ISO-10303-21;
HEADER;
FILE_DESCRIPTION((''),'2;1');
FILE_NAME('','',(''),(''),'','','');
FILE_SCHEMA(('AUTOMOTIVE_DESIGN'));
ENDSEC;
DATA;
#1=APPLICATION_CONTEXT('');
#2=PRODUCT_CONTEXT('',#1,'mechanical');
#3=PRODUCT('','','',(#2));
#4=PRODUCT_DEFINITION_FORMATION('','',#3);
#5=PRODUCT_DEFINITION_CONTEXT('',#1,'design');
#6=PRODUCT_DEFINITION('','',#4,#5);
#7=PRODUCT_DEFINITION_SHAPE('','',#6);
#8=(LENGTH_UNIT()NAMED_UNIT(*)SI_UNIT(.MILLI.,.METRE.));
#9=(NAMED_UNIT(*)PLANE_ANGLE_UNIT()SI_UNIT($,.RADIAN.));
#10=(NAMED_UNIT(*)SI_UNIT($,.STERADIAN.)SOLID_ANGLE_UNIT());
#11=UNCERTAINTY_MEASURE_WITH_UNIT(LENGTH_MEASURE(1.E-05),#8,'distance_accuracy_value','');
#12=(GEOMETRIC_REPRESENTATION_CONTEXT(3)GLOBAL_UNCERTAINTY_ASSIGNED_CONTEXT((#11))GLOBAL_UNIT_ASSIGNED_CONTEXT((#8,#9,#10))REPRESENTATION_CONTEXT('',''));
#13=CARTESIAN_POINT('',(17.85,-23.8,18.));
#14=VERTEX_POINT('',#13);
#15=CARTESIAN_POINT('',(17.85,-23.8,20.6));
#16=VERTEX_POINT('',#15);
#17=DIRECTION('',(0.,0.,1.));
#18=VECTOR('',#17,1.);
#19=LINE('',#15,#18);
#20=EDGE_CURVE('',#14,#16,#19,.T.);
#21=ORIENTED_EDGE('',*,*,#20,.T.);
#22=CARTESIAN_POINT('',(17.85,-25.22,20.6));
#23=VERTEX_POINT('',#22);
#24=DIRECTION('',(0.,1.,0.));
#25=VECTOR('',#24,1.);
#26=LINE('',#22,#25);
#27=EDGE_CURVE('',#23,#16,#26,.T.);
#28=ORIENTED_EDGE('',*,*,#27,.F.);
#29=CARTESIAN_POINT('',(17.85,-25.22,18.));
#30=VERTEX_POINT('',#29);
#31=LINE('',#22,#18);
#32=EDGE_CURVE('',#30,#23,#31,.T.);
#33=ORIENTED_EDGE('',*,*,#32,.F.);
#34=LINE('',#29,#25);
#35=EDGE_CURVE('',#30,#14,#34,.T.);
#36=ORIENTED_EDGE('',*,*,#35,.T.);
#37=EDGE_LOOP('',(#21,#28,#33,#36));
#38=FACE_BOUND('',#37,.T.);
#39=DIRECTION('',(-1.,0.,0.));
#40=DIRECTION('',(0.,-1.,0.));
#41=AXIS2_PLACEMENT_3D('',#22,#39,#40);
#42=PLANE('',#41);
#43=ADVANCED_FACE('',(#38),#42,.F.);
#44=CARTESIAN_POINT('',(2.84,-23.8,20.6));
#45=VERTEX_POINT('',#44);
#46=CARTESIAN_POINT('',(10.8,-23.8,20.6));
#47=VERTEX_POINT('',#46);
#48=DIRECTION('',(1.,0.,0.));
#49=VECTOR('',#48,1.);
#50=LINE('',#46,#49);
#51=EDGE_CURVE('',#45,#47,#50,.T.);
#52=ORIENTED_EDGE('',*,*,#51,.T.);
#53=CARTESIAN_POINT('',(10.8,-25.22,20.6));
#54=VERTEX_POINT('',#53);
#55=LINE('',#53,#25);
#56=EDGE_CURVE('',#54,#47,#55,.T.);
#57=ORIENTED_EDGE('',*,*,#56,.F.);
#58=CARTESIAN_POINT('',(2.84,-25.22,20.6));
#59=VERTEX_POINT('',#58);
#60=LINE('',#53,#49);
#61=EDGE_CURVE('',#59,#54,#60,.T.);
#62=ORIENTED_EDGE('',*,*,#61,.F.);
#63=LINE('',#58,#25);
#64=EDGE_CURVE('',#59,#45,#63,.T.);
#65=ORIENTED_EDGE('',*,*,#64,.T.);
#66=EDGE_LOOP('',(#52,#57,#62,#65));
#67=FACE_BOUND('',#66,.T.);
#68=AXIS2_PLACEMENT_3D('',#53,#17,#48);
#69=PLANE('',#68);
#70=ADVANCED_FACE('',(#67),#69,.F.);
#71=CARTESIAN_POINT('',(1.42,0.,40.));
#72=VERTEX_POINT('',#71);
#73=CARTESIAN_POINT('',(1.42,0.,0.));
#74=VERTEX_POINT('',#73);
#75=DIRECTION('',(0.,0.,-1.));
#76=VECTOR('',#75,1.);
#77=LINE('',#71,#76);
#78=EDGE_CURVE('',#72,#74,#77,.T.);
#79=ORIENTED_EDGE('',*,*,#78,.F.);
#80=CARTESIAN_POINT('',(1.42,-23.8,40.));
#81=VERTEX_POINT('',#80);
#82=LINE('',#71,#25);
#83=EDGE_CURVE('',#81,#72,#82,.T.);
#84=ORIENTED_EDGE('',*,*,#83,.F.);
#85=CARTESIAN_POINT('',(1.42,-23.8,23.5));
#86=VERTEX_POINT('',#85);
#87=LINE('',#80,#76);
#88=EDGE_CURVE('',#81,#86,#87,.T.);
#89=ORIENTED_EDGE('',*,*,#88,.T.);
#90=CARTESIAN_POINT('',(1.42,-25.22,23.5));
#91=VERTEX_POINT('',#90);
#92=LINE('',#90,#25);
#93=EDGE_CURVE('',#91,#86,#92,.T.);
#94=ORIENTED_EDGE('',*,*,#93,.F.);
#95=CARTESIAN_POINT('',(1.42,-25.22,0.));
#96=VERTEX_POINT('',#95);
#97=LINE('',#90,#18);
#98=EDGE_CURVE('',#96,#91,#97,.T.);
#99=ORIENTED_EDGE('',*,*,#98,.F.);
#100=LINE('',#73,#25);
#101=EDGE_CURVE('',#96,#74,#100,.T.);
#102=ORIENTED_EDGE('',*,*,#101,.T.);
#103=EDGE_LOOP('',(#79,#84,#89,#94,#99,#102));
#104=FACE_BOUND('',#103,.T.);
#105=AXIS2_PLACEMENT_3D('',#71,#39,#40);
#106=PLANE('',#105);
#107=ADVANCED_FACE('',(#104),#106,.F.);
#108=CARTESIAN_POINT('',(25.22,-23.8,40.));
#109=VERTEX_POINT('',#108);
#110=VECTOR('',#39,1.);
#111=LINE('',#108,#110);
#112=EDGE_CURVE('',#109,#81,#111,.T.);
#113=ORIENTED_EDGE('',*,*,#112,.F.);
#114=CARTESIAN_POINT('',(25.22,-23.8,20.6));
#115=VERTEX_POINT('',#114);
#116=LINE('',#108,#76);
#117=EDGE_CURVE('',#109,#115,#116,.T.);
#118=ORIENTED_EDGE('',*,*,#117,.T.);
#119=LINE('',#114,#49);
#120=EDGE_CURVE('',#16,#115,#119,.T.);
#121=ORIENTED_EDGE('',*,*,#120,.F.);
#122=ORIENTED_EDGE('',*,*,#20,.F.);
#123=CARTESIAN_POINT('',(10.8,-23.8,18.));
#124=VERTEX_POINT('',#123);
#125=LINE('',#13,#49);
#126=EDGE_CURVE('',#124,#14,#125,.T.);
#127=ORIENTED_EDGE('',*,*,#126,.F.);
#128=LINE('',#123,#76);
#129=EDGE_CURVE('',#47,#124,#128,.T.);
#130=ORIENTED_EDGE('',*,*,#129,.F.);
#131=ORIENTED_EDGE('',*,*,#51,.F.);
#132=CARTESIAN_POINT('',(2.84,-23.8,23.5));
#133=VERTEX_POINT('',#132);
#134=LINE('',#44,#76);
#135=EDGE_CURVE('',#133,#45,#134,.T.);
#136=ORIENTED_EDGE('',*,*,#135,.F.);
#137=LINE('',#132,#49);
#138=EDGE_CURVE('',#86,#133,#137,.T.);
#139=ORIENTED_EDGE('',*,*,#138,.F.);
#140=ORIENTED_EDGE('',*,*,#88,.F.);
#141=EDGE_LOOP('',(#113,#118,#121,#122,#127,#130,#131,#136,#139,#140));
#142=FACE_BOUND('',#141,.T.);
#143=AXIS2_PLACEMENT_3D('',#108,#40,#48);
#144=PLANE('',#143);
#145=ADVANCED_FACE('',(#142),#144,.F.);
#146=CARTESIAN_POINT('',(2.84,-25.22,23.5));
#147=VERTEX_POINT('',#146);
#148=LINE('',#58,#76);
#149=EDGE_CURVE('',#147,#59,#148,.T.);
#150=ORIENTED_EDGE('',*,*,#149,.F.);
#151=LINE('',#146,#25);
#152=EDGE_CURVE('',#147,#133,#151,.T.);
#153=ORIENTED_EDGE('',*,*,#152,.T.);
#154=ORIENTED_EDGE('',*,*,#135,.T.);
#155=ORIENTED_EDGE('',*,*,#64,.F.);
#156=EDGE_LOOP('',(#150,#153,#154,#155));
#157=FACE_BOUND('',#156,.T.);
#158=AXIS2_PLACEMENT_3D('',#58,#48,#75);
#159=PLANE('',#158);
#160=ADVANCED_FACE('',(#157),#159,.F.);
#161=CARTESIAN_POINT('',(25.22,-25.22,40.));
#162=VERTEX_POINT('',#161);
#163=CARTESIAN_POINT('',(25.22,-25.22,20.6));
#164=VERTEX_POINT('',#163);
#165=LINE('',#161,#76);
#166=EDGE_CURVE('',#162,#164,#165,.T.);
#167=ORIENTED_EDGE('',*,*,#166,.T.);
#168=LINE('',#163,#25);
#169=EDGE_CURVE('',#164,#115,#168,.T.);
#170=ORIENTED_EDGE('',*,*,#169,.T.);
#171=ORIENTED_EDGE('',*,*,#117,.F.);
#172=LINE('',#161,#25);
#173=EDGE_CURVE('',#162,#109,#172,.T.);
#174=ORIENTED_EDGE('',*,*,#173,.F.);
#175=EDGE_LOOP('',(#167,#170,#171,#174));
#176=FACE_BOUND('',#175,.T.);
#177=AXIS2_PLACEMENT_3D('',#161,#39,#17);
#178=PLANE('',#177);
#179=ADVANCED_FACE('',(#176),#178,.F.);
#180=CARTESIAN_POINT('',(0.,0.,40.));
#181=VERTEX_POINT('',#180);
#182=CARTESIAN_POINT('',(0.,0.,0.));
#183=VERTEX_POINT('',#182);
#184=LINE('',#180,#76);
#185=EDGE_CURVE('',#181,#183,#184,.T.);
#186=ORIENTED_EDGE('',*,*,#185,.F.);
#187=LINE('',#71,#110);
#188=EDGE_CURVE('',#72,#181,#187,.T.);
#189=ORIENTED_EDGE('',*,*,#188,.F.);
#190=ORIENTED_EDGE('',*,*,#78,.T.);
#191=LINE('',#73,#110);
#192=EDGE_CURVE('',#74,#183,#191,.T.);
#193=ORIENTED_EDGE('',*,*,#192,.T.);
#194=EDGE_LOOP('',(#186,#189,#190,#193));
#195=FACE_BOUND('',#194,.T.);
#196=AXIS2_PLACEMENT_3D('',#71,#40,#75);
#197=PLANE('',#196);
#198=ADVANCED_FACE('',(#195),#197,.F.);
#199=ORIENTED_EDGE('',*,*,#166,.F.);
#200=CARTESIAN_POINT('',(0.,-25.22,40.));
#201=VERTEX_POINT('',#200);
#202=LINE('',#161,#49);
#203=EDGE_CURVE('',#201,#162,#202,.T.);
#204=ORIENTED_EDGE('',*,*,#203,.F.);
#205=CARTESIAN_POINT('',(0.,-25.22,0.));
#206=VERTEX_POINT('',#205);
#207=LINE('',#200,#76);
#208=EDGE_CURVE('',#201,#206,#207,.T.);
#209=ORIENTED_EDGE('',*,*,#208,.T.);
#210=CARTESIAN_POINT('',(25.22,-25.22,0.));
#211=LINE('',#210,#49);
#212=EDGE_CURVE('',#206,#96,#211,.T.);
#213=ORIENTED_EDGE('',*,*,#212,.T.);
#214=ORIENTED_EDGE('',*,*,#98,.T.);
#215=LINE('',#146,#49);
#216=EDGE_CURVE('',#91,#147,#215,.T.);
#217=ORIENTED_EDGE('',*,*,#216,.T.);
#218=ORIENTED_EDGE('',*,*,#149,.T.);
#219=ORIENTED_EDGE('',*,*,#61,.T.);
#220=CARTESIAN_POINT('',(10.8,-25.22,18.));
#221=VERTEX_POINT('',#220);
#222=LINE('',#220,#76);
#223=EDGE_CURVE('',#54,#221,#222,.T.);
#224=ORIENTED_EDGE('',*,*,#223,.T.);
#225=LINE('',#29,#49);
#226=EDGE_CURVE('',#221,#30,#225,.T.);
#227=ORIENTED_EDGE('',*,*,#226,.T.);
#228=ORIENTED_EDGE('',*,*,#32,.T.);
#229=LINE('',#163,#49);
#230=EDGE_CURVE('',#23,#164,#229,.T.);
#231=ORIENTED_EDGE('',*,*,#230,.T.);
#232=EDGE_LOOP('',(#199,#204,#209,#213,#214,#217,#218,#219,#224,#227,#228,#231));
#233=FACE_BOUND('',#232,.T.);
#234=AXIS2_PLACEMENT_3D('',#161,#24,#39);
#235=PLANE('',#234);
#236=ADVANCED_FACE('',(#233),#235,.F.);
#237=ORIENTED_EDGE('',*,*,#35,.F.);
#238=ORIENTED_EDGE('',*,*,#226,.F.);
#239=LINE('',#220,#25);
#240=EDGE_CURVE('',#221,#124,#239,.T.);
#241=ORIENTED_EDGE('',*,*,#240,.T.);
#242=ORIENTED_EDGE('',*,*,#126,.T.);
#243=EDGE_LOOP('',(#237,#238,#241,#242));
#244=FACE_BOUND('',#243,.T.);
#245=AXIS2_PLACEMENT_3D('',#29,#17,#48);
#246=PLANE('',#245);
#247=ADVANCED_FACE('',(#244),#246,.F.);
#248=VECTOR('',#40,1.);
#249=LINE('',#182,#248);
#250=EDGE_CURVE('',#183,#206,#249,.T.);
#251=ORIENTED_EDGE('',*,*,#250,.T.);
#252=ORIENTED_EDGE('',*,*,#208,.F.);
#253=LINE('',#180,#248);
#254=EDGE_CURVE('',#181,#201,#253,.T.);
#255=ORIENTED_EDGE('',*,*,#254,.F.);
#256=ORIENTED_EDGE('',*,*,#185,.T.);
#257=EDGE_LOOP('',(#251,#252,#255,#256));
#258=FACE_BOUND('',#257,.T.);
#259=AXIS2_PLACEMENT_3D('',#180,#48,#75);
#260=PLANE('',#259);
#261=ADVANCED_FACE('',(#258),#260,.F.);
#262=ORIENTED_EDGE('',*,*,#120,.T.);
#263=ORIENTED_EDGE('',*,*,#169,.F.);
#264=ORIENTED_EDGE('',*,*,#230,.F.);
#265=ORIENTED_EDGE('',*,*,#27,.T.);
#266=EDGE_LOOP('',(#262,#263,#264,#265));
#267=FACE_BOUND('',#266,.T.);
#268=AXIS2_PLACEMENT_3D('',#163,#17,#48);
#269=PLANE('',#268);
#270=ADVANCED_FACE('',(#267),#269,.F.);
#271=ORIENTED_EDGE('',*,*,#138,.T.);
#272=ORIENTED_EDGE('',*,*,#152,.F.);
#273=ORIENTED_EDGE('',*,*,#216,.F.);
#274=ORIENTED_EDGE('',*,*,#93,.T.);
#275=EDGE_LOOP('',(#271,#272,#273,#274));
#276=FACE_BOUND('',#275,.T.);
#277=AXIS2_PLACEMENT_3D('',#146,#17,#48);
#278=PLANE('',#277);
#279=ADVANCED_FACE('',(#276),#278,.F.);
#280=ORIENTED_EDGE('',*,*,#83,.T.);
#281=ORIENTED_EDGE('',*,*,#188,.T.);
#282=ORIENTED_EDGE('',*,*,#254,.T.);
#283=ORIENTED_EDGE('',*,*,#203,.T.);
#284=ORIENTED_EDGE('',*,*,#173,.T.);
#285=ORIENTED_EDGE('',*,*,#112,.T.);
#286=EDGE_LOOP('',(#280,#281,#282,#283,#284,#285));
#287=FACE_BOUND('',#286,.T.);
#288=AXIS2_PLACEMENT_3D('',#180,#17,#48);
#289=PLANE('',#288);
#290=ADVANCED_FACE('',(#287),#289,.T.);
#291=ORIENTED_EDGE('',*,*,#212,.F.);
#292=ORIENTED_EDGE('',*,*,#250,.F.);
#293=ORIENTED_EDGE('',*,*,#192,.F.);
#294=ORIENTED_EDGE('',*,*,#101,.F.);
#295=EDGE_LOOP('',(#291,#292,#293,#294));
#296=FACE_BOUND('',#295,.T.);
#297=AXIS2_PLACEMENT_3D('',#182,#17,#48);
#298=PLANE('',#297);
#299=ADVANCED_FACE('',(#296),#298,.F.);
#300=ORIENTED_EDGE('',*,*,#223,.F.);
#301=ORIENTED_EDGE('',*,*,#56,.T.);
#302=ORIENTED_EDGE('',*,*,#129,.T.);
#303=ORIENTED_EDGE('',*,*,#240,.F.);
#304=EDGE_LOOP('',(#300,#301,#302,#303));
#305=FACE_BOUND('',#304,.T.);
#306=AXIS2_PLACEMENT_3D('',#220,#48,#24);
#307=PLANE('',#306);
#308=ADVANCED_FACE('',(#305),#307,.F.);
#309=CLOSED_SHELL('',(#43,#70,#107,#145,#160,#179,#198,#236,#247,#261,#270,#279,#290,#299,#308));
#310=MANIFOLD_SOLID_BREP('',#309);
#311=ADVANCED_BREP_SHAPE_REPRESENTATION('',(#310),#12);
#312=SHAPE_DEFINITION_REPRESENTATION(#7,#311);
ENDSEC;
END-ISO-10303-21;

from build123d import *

# Parameters (mm, degrees)
EXTRUDE1_DEPTH     = 40
CUT_EXTRUDE3_DEPTH = 2.42


with BuildPart() as part:
    # Sketch1 → Extrude1 (new body)
    with BuildSketch(Plane.XY):
        Polygon((0, 0), (0, -25.22), (25.22, -25.22), (25.22, -23.8), (1.42, -23.8), (1.42, 0), align=None)
    extrude(amount=EXTRUDE1_DEPTH)

    # Sketch3 → Cut-Extrude3 (cut, through all)
    with BuildSketch(Plane(origin=(0, -23.8, 0), x_dir=(-1, 0, 0), z_dir=(0, 1, 0))):
        Polygon((-25.22, 0), (-25.22, 20.6), (-17.85, 20.6), (-17.85, 18), (-10.8, 18), (-10.8, 20.6), (-2.84, 20.6), (-2.84, 23.5), (-1.42, 23.5), (-1.42, 0), align=None)
    extrude(amount=-CUT_EXTRUDE3_DEPTH, mode=Mode.SUBTRACT)


solid = part.part
